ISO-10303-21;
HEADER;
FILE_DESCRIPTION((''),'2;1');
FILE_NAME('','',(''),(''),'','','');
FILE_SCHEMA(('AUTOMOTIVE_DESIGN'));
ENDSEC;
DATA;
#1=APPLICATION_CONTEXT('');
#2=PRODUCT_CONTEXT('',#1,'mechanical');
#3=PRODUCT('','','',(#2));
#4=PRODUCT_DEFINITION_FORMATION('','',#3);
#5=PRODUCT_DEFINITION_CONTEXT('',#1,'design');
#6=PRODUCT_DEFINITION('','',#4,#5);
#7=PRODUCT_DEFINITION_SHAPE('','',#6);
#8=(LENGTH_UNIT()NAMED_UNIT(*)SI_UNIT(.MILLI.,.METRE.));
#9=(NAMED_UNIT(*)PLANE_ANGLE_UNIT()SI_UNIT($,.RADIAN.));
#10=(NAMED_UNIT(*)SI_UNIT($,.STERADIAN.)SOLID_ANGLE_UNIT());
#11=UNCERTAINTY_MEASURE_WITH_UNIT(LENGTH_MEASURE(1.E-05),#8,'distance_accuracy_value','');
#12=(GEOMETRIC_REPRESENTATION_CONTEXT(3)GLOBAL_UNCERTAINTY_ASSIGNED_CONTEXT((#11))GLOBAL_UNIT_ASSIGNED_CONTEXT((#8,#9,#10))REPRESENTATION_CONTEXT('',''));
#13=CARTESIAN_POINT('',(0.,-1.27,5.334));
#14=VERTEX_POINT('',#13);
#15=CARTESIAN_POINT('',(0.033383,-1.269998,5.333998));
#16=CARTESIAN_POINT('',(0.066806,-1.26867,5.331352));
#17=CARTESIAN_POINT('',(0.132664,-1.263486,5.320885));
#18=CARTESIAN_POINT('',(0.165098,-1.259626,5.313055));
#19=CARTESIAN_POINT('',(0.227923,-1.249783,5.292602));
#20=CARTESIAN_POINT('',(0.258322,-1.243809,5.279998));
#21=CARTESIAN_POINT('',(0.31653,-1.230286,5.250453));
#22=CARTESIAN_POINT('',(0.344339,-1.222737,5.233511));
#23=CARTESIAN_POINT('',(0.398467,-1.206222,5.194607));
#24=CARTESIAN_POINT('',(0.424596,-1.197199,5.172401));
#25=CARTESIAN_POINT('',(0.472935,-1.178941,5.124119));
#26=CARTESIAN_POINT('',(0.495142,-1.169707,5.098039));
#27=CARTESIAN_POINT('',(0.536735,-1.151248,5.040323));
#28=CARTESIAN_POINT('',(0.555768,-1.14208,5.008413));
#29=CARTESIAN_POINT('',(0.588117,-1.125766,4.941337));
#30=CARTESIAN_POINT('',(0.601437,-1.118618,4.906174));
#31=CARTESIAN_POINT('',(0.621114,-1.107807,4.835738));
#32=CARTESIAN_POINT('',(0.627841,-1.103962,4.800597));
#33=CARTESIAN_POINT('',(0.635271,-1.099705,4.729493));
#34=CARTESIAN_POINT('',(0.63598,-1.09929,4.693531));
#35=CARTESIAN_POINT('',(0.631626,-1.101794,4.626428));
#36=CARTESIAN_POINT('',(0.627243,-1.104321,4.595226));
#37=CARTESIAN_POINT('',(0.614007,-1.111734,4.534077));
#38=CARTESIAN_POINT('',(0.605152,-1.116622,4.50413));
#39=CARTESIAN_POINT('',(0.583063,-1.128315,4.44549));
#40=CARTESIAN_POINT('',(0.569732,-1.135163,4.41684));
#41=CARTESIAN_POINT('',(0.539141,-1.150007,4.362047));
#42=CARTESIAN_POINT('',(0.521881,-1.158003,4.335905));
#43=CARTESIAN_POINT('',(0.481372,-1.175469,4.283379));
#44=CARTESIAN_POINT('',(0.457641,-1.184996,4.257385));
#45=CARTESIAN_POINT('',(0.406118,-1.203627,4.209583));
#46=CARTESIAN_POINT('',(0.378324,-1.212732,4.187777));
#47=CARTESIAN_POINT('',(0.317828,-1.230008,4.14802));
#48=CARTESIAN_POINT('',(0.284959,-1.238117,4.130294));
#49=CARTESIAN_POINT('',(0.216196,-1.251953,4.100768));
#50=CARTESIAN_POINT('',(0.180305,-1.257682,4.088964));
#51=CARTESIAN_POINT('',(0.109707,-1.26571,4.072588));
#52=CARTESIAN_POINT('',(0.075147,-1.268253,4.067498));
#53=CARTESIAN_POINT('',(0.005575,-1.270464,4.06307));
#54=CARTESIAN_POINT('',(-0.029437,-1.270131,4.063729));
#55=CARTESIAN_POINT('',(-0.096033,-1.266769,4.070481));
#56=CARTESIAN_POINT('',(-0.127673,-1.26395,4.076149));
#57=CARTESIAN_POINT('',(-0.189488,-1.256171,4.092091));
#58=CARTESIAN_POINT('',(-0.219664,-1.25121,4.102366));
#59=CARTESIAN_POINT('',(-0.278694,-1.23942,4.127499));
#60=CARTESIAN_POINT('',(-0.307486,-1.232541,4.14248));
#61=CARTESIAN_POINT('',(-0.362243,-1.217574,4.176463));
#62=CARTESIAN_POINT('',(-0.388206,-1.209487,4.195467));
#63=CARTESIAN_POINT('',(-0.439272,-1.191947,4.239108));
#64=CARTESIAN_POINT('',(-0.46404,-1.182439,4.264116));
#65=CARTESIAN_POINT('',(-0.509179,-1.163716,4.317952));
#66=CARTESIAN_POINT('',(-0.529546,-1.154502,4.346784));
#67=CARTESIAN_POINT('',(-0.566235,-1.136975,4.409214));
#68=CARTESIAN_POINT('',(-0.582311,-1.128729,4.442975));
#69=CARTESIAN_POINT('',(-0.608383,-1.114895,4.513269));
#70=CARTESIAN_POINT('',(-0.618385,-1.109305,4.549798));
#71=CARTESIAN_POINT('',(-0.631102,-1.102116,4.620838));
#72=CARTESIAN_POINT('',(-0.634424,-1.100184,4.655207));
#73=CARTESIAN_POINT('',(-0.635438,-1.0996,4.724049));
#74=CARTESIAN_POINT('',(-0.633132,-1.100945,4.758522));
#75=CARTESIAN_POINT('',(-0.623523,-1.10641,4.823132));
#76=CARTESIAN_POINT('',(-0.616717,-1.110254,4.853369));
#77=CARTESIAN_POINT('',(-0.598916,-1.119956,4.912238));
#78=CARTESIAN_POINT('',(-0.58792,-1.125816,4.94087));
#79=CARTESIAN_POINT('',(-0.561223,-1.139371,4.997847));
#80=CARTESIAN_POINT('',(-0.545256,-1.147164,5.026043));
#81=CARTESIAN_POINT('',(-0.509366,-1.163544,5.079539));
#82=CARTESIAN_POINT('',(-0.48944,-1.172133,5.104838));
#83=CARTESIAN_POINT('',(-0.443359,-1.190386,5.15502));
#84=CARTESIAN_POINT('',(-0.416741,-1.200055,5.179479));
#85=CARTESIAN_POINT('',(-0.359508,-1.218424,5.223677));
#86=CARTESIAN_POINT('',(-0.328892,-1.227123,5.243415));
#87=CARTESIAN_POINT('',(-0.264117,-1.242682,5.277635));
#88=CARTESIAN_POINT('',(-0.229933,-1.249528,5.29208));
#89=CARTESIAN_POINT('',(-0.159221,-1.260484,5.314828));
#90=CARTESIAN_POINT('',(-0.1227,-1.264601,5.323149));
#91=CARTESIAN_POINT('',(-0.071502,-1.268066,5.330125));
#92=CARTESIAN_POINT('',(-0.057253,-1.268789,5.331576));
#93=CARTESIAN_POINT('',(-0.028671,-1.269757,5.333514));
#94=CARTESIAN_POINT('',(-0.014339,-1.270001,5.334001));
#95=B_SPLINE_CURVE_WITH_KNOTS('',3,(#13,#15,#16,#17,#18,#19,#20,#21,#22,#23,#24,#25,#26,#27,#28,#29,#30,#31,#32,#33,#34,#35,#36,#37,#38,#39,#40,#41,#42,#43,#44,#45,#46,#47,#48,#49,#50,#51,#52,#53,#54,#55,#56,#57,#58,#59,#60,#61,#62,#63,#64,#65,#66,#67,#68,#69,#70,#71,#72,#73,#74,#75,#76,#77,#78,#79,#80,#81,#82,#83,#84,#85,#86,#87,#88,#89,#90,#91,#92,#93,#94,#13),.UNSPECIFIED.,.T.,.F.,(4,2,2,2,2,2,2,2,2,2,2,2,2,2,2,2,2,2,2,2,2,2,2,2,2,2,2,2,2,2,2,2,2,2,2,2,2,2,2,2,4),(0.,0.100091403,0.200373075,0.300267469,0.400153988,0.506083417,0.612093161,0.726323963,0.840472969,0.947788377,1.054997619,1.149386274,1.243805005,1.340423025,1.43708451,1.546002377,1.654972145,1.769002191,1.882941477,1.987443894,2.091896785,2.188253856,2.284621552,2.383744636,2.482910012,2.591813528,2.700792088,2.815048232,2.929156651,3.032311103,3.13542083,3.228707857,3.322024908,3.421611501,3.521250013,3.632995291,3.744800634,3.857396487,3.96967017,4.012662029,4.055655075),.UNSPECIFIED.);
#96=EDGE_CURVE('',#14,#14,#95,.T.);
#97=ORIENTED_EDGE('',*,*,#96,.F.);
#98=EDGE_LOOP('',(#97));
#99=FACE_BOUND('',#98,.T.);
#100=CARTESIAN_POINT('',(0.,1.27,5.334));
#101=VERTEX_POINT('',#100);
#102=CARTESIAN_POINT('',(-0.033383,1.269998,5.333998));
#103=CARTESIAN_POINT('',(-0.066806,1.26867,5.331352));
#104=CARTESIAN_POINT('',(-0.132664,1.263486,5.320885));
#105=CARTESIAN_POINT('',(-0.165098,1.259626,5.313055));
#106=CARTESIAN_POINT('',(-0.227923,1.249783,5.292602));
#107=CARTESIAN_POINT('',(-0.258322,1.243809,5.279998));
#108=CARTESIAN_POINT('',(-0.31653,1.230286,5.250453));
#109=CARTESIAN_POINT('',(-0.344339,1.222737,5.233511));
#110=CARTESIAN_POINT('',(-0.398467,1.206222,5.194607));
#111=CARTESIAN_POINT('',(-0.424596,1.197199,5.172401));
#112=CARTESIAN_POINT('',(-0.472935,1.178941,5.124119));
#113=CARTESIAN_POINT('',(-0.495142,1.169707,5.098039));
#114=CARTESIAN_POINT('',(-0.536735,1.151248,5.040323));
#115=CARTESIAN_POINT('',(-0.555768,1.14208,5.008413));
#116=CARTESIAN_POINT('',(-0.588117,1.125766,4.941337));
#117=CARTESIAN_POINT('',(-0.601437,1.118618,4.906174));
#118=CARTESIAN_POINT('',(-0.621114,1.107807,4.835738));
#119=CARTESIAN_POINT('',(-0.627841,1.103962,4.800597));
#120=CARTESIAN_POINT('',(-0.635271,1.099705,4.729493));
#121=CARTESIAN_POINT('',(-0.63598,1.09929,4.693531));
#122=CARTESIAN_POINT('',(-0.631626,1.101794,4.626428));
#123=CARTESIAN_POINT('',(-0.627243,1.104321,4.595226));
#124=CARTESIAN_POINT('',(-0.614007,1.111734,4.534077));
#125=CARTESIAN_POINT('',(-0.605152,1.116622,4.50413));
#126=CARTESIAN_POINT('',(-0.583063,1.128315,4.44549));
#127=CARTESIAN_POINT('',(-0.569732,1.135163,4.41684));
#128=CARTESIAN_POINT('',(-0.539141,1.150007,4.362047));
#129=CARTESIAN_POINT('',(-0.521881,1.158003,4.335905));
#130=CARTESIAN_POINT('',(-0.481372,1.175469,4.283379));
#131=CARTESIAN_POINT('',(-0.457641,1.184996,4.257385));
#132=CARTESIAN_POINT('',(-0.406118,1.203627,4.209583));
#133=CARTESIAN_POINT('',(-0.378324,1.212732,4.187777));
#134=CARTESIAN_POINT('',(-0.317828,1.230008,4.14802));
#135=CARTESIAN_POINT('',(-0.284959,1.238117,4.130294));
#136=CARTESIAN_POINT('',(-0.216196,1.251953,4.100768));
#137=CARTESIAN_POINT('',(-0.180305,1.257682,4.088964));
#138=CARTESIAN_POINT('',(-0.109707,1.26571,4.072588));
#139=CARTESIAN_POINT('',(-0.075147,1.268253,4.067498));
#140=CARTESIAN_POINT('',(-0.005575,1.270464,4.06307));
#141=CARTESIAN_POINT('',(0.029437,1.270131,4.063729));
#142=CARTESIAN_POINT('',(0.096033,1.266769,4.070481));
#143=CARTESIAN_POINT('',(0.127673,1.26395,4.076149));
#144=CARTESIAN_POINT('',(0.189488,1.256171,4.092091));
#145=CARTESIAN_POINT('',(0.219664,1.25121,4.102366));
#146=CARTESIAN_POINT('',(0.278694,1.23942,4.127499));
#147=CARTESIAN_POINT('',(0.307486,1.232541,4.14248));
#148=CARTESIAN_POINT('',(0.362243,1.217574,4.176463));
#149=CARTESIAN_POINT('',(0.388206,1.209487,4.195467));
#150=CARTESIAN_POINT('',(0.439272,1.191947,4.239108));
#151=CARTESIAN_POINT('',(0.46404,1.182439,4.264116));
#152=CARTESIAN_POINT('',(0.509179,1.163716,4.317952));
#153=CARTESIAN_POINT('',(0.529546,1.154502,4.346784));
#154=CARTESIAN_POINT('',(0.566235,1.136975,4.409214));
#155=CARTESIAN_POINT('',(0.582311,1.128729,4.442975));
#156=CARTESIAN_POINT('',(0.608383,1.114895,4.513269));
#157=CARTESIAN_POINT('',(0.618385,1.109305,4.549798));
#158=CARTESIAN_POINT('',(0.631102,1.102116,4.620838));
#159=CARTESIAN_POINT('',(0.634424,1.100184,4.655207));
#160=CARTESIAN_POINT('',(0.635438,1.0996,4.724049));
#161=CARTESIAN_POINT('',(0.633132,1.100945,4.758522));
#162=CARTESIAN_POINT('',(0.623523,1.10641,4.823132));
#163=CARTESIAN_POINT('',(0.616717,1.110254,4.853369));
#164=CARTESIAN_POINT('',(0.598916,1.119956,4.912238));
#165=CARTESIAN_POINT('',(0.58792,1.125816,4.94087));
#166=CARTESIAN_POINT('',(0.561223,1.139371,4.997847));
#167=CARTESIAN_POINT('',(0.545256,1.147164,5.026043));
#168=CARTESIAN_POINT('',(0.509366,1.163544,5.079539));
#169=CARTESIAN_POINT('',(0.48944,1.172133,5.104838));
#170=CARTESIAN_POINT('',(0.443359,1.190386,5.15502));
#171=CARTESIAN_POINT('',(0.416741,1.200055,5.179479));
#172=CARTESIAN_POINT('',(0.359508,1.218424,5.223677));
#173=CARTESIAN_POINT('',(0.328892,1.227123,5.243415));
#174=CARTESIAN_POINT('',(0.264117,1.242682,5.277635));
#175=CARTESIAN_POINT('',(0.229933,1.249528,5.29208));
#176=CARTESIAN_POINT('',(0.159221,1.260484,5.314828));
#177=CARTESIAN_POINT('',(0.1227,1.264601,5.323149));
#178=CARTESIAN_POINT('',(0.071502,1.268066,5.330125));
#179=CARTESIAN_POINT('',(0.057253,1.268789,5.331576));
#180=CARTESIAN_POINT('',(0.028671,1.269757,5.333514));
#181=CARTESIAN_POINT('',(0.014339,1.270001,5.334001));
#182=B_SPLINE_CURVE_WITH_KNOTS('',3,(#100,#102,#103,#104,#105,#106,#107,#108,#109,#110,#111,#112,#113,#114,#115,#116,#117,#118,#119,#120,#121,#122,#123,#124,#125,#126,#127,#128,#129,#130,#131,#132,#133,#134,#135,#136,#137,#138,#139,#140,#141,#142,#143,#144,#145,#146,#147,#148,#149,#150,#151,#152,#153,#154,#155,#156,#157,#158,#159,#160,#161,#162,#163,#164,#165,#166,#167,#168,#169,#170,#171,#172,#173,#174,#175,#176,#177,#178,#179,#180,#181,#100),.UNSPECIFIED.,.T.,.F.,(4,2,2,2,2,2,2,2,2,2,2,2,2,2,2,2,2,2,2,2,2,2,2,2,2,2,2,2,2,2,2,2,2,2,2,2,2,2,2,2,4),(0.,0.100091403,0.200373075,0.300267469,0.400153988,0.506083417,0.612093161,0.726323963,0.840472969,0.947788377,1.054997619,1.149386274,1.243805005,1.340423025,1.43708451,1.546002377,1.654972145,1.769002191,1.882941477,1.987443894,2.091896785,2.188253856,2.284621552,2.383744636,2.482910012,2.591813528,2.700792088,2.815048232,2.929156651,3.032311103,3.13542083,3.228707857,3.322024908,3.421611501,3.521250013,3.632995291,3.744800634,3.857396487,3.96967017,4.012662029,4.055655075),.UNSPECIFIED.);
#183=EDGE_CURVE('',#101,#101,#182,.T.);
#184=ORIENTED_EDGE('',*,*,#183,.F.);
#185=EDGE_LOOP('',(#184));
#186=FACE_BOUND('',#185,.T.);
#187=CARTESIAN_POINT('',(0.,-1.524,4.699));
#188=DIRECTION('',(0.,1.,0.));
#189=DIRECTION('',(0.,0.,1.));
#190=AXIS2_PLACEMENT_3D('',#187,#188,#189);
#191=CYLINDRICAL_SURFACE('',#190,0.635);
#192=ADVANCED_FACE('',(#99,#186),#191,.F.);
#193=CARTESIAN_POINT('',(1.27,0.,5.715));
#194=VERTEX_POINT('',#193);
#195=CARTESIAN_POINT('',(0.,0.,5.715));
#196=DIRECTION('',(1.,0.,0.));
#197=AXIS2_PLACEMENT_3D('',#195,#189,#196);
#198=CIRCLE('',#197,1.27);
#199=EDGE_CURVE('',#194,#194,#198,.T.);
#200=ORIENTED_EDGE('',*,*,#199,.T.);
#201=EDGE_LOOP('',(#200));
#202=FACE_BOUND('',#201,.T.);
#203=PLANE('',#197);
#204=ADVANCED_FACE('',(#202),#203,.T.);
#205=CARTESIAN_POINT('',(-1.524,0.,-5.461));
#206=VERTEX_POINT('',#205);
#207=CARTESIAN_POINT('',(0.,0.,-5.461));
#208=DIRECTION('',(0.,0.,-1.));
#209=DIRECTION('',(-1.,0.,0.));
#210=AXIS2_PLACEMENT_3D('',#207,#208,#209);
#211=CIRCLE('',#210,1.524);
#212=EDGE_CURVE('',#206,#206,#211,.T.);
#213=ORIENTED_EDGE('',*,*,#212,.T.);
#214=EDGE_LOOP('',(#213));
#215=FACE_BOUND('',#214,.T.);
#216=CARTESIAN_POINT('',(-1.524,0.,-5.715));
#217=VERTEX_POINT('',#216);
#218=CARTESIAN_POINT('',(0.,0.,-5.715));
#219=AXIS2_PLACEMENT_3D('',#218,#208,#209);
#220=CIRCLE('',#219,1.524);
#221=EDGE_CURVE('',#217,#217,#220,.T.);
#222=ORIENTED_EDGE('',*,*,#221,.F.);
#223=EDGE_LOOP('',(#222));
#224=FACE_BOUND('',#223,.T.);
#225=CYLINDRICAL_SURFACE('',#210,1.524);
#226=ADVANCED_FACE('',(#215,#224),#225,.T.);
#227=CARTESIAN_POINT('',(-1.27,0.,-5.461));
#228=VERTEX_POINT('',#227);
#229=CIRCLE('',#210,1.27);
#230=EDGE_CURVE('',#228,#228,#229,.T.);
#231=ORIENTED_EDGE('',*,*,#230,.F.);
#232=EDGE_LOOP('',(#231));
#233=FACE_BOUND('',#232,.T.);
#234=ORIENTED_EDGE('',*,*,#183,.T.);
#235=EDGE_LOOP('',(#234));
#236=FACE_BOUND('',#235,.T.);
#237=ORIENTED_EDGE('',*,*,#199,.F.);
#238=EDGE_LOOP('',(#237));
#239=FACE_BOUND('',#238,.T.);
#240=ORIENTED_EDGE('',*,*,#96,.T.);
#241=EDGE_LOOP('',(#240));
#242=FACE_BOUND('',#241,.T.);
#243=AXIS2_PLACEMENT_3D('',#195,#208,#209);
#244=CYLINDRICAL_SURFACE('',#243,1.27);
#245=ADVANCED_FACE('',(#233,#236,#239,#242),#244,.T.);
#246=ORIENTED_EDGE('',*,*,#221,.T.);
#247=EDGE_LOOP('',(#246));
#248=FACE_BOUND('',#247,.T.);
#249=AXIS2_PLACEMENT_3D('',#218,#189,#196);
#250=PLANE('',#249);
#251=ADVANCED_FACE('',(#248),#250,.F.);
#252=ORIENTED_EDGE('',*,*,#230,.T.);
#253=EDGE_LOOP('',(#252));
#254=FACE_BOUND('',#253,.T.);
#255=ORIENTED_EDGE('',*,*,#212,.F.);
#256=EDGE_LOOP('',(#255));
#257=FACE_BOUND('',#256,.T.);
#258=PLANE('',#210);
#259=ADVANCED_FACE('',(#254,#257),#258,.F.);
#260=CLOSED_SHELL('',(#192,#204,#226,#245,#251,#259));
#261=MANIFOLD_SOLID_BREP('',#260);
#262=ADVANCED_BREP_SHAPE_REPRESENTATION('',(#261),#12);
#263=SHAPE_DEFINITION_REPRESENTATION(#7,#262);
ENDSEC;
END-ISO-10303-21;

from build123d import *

# Parameters (mm, degrees)
SKETCH3_R           = 1.27
BOSS_EXTRUDE1_DEPTH = 5.715
SKETCH4_R           = 0.635
CUT_EXTRUDE1_DEPTH  = 1.524
BOSS_EXTRUDE2_START = -0.254
SKETCH5_R           = 1.524
SKETCH5_R_2         = 1.27
BOSS_EXTRUDE2_DEPTH = 0.254


with BuildPart() as part:
    # Sketch3 → Boss-Extrude1 (new, symmetric)
    with BuildSketch(Plane.XY):
        Circle(SKETCH3_R)
    extrude(amount=BOSS_EXTRUDE1_DEPTH, both=True)

    # Sketch4 → Cut-Extrude1 (cut, symmetric)
    with BuildSketch(Plane(origin=(0, 0, 0), x_dir=(1, 0, 0), z_dir=(0, 1, 0))):
        with Locations(Location((0, -4.699, 0), (0, 0, 270))):
            Circle(SKETCH4_R)
    extrude(amount=CUT_EXTRUDE1_DEPTH, both=True, mode=Mode.SUBTRACT)

    # Sketch5 → Boss-Extrude2 (add)
    with BuildSketch(Plane(origin=(0, 0, -5.715), x_dir=(-1, 0, 0), z_dir=(0, 0, -1)).offset(BOSS_EXTRUDE2_START)):
        Circle(SKETCH5_R)
        Circle(SKETCH5_R_2, mode=Mode.SUBTRACT)
    extrude(amount=BOSS_EXTRUDE2_DEPTH)


solid = part.part
